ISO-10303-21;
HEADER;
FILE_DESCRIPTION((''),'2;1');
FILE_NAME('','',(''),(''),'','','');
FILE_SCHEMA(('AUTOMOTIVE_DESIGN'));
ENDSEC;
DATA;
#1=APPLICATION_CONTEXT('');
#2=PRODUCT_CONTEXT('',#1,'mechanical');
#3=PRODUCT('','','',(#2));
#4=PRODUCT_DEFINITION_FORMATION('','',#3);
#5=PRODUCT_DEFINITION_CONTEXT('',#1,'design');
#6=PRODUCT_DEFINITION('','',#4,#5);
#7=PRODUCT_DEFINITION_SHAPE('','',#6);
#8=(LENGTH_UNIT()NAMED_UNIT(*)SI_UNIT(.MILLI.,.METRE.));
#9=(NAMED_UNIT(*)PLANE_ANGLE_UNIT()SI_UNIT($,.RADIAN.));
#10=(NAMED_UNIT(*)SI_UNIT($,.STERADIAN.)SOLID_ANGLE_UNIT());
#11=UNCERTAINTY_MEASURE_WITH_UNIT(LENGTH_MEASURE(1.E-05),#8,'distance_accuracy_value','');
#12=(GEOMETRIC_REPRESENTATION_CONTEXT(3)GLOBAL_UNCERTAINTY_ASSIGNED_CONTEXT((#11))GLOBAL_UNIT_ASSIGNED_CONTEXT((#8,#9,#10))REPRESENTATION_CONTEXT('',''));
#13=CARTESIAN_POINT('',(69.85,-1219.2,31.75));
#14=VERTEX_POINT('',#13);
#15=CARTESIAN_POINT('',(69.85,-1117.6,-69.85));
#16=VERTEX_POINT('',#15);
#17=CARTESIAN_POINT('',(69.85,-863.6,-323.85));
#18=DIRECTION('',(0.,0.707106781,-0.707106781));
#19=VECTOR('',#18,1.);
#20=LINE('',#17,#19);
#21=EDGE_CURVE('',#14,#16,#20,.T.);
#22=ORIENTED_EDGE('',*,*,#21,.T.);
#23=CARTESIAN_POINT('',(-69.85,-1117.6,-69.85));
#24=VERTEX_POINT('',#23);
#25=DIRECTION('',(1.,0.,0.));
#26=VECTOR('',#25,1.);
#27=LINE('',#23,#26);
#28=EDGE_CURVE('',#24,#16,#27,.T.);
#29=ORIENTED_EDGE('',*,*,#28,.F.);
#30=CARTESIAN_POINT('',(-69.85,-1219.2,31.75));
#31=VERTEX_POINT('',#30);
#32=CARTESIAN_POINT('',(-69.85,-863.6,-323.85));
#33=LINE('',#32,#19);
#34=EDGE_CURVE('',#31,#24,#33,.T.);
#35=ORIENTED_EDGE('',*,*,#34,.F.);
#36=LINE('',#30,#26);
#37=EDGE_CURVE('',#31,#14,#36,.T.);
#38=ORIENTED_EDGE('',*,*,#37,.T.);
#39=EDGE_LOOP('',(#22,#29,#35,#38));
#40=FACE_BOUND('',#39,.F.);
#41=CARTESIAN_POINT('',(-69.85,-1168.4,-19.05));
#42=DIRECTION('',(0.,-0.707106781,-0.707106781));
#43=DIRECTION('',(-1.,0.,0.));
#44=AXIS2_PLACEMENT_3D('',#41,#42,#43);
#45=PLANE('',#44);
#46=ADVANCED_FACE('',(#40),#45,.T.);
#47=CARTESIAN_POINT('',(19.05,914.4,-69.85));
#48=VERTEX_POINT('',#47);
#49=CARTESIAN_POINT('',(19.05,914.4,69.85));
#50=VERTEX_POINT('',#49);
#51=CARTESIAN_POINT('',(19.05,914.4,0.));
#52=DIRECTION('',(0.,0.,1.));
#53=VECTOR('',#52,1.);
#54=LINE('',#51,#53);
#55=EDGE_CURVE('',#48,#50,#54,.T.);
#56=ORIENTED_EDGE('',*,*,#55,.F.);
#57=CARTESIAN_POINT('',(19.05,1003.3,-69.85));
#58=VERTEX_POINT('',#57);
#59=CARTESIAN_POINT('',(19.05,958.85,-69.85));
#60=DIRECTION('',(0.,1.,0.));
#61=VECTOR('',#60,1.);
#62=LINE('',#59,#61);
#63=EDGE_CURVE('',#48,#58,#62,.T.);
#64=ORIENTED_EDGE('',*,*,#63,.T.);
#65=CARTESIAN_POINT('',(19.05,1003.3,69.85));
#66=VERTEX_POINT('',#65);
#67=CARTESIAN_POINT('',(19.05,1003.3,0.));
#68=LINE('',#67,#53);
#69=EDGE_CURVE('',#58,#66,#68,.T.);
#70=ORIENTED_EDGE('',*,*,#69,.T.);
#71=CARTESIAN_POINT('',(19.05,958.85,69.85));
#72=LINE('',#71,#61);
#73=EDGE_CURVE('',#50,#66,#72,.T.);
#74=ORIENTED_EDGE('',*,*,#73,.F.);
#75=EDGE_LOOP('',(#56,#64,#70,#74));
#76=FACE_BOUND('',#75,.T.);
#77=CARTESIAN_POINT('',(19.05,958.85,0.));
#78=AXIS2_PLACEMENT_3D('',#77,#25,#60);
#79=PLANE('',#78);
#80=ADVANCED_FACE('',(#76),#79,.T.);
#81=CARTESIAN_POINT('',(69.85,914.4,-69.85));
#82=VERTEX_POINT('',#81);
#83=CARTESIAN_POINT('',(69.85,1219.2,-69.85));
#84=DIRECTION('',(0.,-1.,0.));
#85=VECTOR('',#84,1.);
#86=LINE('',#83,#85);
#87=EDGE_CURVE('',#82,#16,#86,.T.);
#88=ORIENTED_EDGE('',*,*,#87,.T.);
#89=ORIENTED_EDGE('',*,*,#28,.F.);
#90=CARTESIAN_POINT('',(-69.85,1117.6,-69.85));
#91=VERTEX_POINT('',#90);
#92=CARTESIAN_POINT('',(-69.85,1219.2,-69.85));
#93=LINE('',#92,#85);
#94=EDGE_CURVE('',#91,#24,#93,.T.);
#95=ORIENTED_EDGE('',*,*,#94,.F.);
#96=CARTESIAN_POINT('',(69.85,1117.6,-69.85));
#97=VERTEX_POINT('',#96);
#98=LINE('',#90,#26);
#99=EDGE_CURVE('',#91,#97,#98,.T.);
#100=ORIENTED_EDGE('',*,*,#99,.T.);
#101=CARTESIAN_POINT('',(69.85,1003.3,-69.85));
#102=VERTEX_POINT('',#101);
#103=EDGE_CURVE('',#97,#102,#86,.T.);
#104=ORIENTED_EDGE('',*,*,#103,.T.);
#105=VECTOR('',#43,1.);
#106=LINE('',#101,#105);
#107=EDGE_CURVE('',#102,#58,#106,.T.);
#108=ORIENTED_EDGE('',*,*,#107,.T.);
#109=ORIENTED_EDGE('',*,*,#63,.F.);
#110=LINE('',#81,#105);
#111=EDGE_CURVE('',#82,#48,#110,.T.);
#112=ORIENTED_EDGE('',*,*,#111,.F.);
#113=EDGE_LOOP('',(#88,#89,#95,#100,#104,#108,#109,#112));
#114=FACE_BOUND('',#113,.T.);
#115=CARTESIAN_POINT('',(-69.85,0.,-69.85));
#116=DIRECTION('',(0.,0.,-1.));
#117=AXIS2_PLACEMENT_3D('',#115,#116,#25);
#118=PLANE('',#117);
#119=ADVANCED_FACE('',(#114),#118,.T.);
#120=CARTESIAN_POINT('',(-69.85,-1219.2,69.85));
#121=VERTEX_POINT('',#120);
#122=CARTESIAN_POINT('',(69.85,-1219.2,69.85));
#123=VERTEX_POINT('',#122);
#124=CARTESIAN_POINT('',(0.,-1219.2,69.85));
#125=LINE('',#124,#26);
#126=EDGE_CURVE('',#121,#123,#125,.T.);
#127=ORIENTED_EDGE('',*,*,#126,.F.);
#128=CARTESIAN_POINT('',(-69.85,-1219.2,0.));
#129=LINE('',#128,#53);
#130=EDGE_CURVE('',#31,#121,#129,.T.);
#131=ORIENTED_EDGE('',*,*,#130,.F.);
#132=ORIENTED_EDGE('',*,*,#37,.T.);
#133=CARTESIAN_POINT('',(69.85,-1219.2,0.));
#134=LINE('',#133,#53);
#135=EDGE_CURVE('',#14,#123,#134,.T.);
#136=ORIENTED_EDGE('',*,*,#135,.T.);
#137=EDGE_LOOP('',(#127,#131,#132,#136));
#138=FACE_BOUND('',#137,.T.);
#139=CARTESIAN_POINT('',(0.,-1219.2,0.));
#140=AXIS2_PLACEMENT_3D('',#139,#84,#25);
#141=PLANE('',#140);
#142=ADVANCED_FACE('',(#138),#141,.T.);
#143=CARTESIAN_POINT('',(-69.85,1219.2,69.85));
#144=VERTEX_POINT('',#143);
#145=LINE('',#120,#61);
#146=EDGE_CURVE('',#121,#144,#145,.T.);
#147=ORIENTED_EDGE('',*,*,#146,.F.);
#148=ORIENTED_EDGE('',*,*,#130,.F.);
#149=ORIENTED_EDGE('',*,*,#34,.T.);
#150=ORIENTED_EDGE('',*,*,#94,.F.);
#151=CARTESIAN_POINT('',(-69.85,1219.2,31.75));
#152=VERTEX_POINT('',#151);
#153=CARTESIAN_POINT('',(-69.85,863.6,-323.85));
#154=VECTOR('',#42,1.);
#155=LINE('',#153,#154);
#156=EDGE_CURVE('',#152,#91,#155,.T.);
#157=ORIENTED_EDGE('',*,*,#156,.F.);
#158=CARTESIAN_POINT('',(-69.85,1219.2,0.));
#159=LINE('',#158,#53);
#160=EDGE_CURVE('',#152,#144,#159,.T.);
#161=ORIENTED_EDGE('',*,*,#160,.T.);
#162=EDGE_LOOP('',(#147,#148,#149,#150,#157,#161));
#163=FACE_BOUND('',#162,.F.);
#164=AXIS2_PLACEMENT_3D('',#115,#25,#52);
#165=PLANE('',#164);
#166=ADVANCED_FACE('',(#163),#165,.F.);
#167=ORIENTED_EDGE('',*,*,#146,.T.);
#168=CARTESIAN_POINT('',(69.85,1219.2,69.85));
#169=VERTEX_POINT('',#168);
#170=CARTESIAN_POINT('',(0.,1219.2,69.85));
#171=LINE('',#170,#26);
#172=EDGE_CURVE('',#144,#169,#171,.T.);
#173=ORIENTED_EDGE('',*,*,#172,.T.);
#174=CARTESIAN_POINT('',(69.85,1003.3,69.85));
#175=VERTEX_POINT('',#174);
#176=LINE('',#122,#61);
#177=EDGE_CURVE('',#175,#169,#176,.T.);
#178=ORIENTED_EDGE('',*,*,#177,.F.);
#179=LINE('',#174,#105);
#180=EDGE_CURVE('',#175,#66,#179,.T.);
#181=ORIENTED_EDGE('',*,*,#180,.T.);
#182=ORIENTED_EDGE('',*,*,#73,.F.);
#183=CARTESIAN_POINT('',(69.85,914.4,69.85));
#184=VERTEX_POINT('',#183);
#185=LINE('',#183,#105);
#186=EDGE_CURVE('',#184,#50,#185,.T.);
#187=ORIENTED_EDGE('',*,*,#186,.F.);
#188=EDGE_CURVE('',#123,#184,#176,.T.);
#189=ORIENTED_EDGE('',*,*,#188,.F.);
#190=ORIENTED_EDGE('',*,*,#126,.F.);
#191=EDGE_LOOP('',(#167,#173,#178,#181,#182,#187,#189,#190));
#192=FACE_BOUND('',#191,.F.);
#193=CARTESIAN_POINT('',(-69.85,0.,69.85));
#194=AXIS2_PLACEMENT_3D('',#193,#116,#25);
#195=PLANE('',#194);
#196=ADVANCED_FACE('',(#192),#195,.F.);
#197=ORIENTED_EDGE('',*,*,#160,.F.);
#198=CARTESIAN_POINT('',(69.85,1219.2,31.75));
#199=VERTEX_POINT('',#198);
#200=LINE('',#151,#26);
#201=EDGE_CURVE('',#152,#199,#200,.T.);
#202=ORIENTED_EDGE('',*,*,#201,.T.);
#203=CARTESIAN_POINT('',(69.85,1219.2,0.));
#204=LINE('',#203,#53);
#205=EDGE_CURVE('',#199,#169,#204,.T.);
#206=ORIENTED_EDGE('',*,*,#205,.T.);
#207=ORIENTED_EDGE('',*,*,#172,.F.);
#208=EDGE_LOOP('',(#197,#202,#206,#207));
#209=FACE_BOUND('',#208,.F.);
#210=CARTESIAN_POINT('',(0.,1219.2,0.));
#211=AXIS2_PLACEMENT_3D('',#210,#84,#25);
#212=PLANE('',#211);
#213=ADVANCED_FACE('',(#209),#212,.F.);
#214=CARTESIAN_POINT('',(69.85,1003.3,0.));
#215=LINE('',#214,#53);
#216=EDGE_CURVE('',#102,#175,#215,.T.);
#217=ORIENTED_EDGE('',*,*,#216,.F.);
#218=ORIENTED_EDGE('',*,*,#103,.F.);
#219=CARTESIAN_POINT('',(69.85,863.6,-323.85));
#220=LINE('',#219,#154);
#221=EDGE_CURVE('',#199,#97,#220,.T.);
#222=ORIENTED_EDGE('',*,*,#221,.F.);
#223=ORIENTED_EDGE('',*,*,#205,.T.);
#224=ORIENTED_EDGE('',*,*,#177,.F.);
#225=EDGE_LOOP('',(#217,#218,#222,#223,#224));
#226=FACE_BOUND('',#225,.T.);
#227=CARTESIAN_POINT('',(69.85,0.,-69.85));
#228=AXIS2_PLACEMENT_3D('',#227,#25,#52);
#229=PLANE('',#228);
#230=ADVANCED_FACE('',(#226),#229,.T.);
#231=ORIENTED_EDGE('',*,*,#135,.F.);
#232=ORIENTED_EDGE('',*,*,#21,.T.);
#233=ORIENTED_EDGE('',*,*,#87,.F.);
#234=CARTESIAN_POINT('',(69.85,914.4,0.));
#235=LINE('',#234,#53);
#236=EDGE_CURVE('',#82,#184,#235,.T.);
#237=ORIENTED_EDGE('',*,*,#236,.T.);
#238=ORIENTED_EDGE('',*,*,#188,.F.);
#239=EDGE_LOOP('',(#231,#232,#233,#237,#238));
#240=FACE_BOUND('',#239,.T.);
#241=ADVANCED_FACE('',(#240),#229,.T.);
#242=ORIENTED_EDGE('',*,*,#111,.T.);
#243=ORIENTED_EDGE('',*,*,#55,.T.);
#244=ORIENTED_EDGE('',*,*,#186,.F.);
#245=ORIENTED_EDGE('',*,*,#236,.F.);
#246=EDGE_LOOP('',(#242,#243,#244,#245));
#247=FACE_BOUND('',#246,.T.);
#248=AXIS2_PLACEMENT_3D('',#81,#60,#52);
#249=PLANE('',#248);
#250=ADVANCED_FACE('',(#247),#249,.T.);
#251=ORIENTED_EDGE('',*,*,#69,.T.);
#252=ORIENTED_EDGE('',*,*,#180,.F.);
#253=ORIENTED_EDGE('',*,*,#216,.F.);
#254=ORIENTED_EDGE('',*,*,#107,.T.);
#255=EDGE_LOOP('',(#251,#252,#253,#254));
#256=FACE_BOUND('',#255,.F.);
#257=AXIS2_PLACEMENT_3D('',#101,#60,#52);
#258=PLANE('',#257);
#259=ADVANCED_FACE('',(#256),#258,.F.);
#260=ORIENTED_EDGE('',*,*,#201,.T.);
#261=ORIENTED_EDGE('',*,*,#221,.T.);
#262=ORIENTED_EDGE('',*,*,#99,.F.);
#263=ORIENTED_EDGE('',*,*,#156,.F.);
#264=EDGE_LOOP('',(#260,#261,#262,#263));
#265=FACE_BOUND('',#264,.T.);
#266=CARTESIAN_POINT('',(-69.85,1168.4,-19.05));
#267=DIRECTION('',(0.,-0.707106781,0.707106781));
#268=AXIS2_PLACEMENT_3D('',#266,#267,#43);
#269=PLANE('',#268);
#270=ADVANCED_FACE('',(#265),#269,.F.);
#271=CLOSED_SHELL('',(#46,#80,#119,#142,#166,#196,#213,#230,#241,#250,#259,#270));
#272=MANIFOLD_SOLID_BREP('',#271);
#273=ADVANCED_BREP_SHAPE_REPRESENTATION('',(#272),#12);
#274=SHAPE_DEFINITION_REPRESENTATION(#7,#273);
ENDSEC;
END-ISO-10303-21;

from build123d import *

# Parameters (mm, degrees)
F0_W     = 139.7
F0_H     = 139.7
F1_DEPTH = 1219.2
F2_SIZE  = 101.6
F3_W     = 88.9
F3_H     = 139.7
F4_DEPTH = 50.8


with BuildPart() as f1:
    # F0 (on Front) → F1 (new body, symmetric)
    with BuildSketch(Plane.XZ):
        Rectangle(F0_W, F0_H)
    extrude(amount=F1_DEPTH, both=True)

    # F2
    f2_edges = [f1.edges().sort_by_distance(p)[0] for p in [
        (0, -1219.2, -69.85),
        (0, 1219.2, -69.85),
    ]]
    chamfer(f2_edges, length=F2_SIZE)

    # F3 (on face) → F4 (cut)
    with BuildSketch(Plane.YZ.offset(69.85)):
        with Locations((958.85, 0)):
            Rectangle(F3_W, F3_H)
    extrude(amount=-F4_DEPTH, mode=Mode.SUBTRACT)


solid = f1.part
